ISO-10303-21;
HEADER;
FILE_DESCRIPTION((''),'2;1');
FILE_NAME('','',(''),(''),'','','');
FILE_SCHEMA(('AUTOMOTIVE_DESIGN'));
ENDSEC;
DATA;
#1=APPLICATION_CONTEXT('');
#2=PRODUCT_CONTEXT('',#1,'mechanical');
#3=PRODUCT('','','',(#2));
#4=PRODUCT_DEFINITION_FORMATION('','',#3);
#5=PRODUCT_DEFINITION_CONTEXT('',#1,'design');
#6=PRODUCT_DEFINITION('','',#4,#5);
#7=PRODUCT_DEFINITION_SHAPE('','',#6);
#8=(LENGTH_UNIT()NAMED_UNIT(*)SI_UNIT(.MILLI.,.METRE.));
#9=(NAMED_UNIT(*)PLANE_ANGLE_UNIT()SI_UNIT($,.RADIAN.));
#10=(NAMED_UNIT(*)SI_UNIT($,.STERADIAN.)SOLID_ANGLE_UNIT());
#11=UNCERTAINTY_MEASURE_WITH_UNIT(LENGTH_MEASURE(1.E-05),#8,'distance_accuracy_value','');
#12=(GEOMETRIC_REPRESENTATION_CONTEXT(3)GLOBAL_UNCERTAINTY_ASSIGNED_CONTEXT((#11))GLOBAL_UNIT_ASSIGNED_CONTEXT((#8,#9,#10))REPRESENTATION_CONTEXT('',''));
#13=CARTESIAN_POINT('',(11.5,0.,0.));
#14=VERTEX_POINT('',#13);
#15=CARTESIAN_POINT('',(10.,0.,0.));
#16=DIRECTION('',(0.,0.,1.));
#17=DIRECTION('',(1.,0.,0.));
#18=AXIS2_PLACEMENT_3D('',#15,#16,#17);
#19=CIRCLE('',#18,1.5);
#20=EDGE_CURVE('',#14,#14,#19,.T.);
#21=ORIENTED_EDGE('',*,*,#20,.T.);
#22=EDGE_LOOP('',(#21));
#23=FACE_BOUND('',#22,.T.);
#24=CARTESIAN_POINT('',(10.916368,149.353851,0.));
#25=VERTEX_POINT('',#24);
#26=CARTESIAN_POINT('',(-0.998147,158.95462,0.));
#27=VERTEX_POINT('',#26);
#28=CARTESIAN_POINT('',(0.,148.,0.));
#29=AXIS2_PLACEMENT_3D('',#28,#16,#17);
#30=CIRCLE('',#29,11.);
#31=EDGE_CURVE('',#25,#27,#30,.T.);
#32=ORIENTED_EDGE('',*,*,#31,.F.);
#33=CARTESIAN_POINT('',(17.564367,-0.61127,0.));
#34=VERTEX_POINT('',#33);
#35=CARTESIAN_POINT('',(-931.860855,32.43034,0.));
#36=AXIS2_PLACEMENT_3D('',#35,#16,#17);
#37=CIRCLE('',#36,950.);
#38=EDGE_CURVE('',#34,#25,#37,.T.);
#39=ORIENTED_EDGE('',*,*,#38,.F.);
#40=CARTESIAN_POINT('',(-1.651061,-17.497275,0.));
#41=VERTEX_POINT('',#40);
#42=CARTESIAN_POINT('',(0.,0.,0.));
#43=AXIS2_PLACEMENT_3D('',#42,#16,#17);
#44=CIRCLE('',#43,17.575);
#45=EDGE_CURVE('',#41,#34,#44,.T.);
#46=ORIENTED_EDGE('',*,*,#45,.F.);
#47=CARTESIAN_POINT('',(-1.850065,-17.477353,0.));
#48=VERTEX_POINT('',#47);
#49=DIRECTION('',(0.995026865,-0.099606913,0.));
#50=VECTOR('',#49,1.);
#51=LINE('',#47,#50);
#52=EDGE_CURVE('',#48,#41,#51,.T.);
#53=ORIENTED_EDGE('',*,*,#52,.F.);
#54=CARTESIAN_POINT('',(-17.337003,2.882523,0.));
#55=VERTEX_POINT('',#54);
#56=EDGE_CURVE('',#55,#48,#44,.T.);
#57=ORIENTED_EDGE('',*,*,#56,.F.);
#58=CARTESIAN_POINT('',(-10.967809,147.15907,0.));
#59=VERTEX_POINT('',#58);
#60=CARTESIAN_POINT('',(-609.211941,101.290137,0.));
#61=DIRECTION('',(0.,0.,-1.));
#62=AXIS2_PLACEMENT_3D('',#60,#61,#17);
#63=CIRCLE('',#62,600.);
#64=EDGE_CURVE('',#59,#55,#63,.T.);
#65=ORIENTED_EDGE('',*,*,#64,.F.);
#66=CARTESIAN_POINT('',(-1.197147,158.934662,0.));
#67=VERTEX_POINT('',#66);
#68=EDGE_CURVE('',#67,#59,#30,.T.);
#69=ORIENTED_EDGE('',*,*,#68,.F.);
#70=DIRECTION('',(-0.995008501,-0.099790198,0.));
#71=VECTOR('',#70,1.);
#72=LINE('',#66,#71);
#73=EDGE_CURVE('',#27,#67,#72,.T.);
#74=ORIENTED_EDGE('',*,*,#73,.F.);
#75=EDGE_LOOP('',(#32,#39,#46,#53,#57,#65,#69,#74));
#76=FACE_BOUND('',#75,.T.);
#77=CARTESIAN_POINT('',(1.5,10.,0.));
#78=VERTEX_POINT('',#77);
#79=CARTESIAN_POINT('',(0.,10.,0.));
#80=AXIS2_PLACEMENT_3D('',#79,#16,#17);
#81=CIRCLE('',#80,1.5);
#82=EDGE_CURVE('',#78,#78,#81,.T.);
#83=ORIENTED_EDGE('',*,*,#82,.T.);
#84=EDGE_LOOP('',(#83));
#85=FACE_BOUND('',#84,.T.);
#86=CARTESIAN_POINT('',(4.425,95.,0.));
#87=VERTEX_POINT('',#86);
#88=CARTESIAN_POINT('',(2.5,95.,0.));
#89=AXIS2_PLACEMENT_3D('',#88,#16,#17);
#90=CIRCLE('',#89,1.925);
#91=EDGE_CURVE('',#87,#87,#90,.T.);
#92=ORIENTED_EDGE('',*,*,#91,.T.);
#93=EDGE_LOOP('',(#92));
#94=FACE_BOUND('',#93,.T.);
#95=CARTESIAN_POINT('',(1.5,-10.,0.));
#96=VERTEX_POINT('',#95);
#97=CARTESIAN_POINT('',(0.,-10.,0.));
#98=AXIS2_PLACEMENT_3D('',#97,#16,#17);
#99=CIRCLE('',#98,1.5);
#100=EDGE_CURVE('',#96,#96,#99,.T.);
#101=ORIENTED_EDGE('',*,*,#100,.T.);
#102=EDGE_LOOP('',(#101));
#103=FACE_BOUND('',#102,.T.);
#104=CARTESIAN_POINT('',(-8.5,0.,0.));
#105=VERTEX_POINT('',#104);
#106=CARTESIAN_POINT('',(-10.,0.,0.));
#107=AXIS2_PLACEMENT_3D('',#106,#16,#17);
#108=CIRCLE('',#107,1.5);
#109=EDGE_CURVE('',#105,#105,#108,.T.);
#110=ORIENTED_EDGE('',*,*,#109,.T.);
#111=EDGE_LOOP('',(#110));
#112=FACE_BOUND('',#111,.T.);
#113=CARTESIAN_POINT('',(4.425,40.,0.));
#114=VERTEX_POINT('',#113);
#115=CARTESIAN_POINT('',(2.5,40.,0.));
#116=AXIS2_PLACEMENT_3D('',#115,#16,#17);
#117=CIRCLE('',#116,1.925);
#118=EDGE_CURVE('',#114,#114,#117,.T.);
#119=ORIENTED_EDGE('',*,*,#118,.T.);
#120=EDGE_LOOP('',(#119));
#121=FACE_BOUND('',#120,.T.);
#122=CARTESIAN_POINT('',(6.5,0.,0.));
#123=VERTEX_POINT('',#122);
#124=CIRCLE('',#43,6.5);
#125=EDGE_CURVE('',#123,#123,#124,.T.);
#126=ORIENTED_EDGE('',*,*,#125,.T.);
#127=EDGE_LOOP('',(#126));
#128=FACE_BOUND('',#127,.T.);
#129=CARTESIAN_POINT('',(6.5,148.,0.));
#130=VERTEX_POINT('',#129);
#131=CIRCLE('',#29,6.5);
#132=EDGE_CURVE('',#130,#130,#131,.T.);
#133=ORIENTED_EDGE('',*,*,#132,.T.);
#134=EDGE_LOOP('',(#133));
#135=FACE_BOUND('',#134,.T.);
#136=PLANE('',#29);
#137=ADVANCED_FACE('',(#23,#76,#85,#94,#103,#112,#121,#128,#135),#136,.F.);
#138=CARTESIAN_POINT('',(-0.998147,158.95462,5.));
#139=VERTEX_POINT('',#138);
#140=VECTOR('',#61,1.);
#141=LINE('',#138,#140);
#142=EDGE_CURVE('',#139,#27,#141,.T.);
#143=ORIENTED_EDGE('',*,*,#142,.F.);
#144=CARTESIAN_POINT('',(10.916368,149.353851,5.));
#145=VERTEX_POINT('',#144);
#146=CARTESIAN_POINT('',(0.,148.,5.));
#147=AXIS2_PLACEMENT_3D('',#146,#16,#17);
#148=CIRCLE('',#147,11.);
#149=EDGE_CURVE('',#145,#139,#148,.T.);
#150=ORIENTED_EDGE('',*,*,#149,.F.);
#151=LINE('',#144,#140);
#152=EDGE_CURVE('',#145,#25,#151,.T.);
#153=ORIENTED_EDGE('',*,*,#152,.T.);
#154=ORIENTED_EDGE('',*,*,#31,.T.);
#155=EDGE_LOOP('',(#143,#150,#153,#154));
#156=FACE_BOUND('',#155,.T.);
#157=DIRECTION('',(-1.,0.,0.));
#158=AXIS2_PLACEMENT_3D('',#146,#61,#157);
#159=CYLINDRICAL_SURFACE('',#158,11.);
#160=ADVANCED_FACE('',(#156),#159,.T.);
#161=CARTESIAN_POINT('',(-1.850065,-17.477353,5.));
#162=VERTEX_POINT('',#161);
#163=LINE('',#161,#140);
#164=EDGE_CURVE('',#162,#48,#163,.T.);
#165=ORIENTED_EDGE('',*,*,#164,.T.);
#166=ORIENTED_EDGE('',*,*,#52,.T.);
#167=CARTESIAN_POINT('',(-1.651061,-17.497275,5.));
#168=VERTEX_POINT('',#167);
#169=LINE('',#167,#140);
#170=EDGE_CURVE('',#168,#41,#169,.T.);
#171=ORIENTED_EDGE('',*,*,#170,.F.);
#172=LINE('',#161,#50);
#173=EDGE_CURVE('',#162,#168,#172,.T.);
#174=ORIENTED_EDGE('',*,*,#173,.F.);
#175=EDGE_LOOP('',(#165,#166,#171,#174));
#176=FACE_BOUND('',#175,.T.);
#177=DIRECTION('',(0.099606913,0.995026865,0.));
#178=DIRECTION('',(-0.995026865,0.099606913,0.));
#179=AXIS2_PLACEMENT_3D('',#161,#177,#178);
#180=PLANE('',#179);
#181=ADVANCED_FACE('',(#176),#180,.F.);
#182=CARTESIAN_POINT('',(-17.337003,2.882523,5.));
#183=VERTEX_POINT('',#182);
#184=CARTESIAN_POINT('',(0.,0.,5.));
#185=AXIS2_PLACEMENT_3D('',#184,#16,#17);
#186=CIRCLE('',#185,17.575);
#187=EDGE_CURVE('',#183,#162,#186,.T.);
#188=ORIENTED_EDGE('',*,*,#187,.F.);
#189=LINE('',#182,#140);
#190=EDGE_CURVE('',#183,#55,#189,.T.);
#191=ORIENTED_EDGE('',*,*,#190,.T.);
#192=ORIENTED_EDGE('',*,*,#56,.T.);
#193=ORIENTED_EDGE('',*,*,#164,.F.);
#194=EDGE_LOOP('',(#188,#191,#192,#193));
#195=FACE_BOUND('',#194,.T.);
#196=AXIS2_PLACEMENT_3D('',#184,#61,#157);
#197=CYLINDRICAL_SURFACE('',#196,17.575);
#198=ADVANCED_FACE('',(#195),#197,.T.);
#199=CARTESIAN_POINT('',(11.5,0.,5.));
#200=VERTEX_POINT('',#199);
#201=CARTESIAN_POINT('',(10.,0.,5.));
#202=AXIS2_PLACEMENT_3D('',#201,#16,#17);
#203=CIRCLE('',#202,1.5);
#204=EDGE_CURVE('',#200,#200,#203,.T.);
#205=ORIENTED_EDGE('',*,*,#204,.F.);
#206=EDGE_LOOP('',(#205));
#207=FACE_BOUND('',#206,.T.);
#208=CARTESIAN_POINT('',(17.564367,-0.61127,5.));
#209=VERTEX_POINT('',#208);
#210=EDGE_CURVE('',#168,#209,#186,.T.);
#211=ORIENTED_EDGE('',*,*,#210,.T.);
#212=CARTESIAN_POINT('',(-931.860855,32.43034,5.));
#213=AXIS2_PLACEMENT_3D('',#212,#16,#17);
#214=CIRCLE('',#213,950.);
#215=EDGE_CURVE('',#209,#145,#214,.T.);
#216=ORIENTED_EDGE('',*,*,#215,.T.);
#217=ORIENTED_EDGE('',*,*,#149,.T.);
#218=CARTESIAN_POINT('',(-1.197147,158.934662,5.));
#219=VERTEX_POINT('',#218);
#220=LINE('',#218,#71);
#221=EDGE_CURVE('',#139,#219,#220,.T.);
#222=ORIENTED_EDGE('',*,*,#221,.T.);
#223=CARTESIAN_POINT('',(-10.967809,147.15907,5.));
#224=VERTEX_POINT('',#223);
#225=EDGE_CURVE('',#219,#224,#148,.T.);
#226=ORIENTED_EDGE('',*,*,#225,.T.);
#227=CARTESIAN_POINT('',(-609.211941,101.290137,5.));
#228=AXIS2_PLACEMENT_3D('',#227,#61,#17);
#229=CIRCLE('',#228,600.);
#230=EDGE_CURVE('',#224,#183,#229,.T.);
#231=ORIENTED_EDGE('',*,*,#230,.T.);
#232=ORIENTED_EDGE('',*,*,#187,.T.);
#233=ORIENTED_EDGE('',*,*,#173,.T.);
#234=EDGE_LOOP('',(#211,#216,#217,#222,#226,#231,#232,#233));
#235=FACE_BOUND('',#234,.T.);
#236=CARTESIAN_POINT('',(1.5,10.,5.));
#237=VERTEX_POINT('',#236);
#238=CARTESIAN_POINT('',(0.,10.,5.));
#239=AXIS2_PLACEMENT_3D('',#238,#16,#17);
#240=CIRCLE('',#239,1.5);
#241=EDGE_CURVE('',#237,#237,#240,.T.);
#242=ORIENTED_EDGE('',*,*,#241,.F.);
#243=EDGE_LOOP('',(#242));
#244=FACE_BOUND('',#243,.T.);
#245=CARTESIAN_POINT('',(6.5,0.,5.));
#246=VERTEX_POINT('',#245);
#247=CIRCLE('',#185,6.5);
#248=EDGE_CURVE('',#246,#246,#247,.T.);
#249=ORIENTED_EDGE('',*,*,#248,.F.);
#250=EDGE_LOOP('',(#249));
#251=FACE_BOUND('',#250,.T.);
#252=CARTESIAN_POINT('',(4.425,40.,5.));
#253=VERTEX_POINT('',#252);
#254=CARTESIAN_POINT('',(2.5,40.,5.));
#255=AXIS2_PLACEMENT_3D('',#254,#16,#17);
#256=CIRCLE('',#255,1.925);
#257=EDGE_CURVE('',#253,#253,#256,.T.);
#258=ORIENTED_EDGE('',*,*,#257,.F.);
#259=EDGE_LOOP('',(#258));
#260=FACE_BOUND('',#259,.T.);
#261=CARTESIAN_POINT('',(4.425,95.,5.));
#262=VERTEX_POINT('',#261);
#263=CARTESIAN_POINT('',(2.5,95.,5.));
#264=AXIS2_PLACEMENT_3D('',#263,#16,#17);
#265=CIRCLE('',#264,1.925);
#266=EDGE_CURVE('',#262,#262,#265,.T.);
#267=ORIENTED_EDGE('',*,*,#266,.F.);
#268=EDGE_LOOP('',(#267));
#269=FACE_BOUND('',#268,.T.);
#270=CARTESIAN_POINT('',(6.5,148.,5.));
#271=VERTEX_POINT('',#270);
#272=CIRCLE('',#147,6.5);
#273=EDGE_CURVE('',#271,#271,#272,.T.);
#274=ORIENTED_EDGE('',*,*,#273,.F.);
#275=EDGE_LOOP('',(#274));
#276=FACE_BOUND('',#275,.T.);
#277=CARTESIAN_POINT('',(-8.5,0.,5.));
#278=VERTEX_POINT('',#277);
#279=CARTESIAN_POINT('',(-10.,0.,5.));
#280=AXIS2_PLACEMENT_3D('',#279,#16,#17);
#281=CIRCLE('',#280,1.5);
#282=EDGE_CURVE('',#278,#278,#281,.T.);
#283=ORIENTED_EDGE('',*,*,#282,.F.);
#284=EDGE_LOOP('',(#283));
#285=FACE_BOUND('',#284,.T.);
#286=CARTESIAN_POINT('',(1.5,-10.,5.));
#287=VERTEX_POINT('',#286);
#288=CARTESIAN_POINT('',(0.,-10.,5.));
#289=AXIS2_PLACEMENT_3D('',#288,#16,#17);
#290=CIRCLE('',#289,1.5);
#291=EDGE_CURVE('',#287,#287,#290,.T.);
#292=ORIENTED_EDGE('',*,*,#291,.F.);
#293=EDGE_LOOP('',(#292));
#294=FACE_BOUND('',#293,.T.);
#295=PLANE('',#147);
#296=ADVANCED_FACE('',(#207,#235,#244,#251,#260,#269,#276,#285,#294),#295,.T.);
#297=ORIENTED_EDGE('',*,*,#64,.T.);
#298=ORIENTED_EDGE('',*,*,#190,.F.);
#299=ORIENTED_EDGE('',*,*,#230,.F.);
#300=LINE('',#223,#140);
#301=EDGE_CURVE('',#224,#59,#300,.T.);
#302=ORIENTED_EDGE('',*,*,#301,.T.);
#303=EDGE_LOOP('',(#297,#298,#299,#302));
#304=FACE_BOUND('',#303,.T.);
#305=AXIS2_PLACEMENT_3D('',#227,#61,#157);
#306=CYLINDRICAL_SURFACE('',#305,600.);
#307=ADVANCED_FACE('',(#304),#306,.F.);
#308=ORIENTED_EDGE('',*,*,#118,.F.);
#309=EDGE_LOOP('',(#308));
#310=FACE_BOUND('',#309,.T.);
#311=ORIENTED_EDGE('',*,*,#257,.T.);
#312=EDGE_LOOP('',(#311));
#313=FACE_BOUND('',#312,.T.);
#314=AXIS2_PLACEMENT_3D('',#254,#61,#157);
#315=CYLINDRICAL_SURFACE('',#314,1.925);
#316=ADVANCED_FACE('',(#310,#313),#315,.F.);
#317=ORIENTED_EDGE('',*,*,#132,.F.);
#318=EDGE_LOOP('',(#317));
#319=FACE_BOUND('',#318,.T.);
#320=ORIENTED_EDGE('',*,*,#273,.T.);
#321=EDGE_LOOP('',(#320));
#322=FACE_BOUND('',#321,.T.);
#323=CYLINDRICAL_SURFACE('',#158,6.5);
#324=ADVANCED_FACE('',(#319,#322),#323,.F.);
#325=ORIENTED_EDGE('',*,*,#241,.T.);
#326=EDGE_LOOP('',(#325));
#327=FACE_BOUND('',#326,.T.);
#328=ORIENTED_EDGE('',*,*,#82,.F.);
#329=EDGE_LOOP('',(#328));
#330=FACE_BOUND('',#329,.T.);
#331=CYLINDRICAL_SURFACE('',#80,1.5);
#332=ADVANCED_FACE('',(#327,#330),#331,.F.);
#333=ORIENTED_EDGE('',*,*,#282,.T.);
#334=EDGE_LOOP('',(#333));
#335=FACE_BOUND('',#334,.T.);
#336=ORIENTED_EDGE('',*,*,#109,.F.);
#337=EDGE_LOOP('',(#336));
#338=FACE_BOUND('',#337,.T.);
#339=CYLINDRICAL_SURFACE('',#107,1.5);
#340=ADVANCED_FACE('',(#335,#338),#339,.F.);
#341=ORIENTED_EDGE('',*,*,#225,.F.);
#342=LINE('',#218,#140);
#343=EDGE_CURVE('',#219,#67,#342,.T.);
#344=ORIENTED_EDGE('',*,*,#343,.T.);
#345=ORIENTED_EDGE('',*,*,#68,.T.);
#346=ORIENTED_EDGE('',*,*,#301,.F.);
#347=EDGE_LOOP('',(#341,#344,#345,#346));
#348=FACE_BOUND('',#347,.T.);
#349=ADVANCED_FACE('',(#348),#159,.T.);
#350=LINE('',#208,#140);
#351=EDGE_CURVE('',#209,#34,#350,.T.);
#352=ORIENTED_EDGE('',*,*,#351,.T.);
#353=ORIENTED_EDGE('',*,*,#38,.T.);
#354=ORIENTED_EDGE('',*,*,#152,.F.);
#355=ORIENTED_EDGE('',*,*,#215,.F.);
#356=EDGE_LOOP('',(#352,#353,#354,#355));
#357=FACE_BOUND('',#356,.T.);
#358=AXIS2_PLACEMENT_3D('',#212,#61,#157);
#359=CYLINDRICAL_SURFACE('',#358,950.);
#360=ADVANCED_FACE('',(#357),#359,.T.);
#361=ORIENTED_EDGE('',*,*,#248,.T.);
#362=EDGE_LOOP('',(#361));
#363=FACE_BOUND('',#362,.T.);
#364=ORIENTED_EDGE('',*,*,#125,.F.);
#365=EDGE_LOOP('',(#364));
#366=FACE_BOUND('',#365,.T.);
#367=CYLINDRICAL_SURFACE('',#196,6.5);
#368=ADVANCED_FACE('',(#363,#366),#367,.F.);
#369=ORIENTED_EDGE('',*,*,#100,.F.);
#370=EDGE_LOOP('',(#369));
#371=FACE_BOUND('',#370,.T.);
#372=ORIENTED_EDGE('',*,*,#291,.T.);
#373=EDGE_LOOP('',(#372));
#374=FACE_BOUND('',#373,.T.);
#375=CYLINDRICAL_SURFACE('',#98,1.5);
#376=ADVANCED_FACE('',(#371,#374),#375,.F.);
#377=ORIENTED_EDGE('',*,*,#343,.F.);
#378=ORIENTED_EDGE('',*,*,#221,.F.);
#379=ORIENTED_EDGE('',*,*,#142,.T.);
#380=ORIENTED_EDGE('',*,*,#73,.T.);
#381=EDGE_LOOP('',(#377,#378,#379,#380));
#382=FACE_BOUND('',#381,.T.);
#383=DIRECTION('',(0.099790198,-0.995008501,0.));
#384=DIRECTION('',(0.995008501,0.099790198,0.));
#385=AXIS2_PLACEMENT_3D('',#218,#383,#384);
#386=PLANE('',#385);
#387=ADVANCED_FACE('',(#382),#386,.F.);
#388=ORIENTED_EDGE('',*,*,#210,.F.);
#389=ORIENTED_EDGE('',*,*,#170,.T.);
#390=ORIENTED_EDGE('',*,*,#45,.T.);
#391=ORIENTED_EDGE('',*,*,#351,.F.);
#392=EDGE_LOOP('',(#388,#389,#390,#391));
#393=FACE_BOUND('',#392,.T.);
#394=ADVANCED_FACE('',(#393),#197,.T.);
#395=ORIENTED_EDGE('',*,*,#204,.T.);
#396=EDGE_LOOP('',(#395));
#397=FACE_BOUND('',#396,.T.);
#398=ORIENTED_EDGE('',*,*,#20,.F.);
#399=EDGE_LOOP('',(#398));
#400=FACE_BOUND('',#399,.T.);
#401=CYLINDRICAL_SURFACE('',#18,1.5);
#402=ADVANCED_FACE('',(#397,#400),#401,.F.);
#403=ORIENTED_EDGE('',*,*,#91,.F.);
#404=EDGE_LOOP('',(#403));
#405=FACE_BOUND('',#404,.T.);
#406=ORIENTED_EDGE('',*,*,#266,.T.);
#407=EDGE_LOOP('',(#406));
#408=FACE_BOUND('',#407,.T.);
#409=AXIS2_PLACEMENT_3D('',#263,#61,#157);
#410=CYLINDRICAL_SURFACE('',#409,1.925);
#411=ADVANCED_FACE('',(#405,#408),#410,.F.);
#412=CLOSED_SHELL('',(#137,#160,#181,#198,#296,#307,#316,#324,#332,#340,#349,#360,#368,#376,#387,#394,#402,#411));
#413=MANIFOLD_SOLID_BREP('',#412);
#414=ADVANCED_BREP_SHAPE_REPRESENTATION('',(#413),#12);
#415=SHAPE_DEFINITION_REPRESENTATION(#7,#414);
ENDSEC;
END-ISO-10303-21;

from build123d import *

# Parameters (mm, degrees)
SKETCH_1_R          = 1.925
SKETCH_1_R_2        = 0.925
SKETCH_1_R_3        = 6.5
EXTRUDE_1_DEPTH     = 5
SKETCH_2_R          = 1.5
CUT_EXTRUDE_1_DEPTH = 161.109426861


with BuildPart() as part:
    # 草图1 → 凸台-拉伸1 (new body)
    with BuildSketch(Plane.XY):
        with BuildLine():
            Line((-1.197146646, 158.934662313), (-0.998147001, 158.954620147))
            ThreePointArc((-0.998147001, 158.954620147), (6.901917658, 156.565251464), (10.916367847, 149.353851183))
            ThreePointArc((10.916367847, 149.353851183), (17.20705989, 74.502805076), (17.564366606, -0.61126978))
            ThreePointArc((17.564366606, -0.61126978), (11.601405763, -13.20181841), (-1.651060868, -17.497274731))
            Line((-1.651060868, -17.497274731), (-1.850065436, -17.477353429))
            ThreePointArc((-1.850065436, -17.477353429), (-13.988103687, -10.64018704), (-17.337003373, 2.882523033))
            ThreePointArc((-17.337003373, 2.882523033), (-9.795741354, 74.828468127), (-10.96780908, 147.159069574))
            ThreePointArc((-10.96780908, 147.159069574), (-8.465381447, 155.024052744), (-1.197146646, 158.934662313))
        make_face()
        with Locations((2.5, 40)):
            Circle(SKETCH_1_R, mode=Mode.SUBTRACT)
        with Locations((2.5, 95)):
            Circle(SKETCH_1_R, mode=Mode.SUBTRACT)
        with Locations((10, 0)):
            Circle(SKETCH_1_R_2, mode=Mode.SUBTRACT)
        with Locations((0, -10)):
            Circle(SKETCH_1_R_2, mode=Mode.SUBTRACT)
        with Locations((0, 10)):
            Circle(SKETCH_1_R_2, mode=Mode.SUBTRACT)
        with Locations((-10, 0)):
            Circle(SKETCH_1_R_2, mode=Mode.SUBTRACT)
        Circle(SKETCH_1_R_3, mode=Mode.SUBTRACT)
        with Locations((0, 148)):
            Circle(SKETCH_1_R_3, mode=Mode.SUBTRACT)
    extrude(amount=EXTRUDE_1_DEPTH)

    # 草图2 → 切除-拉伸1 (cut, through all)
    with BuildSketch(Plane.XY.offset(5)):
        with Locations((0, 10)):
            Circle(SKETCH_2_R)
        with Locations((10, 0)):
            Circle(SKETCH_2_R)
        with Locations((-10, 0)):
            Circle(SKETCH_2_R)
        with Locations((0, -10)):
            Circle(SKETCH_2_R)
    extrude(amount=-CUT_EXTRUDE_1_DEPTH, mode=Mode.SUBTRACT)


solid = part.part
